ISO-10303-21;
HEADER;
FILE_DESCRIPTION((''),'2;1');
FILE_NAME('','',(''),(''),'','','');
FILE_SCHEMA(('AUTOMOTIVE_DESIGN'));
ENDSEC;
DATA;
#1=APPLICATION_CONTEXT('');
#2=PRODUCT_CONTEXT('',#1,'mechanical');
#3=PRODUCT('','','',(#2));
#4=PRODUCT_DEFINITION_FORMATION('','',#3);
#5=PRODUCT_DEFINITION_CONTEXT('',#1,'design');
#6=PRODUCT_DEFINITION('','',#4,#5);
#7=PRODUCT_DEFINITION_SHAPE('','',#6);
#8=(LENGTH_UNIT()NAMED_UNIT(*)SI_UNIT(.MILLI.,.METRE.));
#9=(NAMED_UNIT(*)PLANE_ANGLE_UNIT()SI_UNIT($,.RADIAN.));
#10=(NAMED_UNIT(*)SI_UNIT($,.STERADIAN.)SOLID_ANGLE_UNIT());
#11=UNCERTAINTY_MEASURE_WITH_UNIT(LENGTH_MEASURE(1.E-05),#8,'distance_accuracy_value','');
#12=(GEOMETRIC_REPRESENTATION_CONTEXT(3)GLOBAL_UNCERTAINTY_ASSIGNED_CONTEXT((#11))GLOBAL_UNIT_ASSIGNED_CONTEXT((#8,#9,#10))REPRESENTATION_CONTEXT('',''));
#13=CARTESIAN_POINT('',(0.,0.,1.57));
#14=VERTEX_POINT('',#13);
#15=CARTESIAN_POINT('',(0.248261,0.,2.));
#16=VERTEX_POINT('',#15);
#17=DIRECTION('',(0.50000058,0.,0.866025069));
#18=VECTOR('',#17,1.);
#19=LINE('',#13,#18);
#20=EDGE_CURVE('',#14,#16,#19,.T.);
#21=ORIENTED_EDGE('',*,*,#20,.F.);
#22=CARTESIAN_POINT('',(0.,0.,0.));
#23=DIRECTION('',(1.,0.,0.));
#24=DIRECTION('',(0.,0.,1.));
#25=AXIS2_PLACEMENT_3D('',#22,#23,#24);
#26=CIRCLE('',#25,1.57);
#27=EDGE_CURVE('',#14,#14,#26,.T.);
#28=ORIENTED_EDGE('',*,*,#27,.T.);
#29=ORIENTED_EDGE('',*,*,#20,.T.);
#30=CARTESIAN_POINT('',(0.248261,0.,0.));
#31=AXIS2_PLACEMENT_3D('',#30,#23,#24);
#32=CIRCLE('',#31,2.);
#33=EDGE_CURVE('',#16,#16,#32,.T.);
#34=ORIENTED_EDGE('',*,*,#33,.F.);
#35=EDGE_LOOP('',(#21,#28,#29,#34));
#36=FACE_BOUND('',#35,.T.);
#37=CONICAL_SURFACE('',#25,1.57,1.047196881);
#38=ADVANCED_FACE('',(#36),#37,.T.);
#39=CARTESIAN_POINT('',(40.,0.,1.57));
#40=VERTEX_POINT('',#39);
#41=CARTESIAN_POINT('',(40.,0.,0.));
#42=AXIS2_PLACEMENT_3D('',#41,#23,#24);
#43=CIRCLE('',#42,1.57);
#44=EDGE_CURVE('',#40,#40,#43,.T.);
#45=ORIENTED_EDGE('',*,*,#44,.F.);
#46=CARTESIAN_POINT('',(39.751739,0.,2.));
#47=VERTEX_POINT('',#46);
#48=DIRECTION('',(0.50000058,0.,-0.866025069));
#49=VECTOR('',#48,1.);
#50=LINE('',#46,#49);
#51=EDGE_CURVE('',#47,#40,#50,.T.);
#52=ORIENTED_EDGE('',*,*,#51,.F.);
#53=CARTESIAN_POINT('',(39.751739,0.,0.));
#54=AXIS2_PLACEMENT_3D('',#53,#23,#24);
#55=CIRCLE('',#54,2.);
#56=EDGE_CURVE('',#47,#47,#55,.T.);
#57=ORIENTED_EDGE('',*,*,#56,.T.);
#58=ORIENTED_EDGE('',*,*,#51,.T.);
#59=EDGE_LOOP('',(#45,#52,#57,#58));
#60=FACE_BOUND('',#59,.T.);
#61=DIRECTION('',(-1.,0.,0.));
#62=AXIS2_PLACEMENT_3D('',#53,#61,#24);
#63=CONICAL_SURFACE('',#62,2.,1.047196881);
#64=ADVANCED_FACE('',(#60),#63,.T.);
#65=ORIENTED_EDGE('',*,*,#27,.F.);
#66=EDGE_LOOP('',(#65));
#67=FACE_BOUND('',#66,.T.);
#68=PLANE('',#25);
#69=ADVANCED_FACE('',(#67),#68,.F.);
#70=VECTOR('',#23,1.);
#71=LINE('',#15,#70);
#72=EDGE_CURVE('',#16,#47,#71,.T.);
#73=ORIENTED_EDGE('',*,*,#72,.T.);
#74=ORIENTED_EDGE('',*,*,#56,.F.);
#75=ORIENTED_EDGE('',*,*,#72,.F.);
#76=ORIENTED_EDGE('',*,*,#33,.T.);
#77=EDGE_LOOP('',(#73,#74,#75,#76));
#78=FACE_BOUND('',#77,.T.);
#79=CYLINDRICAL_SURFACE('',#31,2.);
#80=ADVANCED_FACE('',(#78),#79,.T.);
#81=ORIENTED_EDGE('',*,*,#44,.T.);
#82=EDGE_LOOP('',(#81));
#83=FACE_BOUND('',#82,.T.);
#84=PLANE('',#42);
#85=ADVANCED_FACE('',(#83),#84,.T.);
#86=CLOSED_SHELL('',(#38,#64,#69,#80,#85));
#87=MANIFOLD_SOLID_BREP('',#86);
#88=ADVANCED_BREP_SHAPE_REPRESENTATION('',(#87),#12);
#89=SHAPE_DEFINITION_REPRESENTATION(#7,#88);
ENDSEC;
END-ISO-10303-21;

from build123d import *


with BuildPart() as part:
    # Sketch → Revolution (revolve)
    with BuildSketch(Plane.XZ):
        Polygon((0, 0), (0, 1.57), (0.248261, 2), (39.751739, 2), (40, 1.57), (40, 0), align=None)
    revolve(axis=Axis((0, 0, 0), (1, 0, 0)))


solid = part.part
